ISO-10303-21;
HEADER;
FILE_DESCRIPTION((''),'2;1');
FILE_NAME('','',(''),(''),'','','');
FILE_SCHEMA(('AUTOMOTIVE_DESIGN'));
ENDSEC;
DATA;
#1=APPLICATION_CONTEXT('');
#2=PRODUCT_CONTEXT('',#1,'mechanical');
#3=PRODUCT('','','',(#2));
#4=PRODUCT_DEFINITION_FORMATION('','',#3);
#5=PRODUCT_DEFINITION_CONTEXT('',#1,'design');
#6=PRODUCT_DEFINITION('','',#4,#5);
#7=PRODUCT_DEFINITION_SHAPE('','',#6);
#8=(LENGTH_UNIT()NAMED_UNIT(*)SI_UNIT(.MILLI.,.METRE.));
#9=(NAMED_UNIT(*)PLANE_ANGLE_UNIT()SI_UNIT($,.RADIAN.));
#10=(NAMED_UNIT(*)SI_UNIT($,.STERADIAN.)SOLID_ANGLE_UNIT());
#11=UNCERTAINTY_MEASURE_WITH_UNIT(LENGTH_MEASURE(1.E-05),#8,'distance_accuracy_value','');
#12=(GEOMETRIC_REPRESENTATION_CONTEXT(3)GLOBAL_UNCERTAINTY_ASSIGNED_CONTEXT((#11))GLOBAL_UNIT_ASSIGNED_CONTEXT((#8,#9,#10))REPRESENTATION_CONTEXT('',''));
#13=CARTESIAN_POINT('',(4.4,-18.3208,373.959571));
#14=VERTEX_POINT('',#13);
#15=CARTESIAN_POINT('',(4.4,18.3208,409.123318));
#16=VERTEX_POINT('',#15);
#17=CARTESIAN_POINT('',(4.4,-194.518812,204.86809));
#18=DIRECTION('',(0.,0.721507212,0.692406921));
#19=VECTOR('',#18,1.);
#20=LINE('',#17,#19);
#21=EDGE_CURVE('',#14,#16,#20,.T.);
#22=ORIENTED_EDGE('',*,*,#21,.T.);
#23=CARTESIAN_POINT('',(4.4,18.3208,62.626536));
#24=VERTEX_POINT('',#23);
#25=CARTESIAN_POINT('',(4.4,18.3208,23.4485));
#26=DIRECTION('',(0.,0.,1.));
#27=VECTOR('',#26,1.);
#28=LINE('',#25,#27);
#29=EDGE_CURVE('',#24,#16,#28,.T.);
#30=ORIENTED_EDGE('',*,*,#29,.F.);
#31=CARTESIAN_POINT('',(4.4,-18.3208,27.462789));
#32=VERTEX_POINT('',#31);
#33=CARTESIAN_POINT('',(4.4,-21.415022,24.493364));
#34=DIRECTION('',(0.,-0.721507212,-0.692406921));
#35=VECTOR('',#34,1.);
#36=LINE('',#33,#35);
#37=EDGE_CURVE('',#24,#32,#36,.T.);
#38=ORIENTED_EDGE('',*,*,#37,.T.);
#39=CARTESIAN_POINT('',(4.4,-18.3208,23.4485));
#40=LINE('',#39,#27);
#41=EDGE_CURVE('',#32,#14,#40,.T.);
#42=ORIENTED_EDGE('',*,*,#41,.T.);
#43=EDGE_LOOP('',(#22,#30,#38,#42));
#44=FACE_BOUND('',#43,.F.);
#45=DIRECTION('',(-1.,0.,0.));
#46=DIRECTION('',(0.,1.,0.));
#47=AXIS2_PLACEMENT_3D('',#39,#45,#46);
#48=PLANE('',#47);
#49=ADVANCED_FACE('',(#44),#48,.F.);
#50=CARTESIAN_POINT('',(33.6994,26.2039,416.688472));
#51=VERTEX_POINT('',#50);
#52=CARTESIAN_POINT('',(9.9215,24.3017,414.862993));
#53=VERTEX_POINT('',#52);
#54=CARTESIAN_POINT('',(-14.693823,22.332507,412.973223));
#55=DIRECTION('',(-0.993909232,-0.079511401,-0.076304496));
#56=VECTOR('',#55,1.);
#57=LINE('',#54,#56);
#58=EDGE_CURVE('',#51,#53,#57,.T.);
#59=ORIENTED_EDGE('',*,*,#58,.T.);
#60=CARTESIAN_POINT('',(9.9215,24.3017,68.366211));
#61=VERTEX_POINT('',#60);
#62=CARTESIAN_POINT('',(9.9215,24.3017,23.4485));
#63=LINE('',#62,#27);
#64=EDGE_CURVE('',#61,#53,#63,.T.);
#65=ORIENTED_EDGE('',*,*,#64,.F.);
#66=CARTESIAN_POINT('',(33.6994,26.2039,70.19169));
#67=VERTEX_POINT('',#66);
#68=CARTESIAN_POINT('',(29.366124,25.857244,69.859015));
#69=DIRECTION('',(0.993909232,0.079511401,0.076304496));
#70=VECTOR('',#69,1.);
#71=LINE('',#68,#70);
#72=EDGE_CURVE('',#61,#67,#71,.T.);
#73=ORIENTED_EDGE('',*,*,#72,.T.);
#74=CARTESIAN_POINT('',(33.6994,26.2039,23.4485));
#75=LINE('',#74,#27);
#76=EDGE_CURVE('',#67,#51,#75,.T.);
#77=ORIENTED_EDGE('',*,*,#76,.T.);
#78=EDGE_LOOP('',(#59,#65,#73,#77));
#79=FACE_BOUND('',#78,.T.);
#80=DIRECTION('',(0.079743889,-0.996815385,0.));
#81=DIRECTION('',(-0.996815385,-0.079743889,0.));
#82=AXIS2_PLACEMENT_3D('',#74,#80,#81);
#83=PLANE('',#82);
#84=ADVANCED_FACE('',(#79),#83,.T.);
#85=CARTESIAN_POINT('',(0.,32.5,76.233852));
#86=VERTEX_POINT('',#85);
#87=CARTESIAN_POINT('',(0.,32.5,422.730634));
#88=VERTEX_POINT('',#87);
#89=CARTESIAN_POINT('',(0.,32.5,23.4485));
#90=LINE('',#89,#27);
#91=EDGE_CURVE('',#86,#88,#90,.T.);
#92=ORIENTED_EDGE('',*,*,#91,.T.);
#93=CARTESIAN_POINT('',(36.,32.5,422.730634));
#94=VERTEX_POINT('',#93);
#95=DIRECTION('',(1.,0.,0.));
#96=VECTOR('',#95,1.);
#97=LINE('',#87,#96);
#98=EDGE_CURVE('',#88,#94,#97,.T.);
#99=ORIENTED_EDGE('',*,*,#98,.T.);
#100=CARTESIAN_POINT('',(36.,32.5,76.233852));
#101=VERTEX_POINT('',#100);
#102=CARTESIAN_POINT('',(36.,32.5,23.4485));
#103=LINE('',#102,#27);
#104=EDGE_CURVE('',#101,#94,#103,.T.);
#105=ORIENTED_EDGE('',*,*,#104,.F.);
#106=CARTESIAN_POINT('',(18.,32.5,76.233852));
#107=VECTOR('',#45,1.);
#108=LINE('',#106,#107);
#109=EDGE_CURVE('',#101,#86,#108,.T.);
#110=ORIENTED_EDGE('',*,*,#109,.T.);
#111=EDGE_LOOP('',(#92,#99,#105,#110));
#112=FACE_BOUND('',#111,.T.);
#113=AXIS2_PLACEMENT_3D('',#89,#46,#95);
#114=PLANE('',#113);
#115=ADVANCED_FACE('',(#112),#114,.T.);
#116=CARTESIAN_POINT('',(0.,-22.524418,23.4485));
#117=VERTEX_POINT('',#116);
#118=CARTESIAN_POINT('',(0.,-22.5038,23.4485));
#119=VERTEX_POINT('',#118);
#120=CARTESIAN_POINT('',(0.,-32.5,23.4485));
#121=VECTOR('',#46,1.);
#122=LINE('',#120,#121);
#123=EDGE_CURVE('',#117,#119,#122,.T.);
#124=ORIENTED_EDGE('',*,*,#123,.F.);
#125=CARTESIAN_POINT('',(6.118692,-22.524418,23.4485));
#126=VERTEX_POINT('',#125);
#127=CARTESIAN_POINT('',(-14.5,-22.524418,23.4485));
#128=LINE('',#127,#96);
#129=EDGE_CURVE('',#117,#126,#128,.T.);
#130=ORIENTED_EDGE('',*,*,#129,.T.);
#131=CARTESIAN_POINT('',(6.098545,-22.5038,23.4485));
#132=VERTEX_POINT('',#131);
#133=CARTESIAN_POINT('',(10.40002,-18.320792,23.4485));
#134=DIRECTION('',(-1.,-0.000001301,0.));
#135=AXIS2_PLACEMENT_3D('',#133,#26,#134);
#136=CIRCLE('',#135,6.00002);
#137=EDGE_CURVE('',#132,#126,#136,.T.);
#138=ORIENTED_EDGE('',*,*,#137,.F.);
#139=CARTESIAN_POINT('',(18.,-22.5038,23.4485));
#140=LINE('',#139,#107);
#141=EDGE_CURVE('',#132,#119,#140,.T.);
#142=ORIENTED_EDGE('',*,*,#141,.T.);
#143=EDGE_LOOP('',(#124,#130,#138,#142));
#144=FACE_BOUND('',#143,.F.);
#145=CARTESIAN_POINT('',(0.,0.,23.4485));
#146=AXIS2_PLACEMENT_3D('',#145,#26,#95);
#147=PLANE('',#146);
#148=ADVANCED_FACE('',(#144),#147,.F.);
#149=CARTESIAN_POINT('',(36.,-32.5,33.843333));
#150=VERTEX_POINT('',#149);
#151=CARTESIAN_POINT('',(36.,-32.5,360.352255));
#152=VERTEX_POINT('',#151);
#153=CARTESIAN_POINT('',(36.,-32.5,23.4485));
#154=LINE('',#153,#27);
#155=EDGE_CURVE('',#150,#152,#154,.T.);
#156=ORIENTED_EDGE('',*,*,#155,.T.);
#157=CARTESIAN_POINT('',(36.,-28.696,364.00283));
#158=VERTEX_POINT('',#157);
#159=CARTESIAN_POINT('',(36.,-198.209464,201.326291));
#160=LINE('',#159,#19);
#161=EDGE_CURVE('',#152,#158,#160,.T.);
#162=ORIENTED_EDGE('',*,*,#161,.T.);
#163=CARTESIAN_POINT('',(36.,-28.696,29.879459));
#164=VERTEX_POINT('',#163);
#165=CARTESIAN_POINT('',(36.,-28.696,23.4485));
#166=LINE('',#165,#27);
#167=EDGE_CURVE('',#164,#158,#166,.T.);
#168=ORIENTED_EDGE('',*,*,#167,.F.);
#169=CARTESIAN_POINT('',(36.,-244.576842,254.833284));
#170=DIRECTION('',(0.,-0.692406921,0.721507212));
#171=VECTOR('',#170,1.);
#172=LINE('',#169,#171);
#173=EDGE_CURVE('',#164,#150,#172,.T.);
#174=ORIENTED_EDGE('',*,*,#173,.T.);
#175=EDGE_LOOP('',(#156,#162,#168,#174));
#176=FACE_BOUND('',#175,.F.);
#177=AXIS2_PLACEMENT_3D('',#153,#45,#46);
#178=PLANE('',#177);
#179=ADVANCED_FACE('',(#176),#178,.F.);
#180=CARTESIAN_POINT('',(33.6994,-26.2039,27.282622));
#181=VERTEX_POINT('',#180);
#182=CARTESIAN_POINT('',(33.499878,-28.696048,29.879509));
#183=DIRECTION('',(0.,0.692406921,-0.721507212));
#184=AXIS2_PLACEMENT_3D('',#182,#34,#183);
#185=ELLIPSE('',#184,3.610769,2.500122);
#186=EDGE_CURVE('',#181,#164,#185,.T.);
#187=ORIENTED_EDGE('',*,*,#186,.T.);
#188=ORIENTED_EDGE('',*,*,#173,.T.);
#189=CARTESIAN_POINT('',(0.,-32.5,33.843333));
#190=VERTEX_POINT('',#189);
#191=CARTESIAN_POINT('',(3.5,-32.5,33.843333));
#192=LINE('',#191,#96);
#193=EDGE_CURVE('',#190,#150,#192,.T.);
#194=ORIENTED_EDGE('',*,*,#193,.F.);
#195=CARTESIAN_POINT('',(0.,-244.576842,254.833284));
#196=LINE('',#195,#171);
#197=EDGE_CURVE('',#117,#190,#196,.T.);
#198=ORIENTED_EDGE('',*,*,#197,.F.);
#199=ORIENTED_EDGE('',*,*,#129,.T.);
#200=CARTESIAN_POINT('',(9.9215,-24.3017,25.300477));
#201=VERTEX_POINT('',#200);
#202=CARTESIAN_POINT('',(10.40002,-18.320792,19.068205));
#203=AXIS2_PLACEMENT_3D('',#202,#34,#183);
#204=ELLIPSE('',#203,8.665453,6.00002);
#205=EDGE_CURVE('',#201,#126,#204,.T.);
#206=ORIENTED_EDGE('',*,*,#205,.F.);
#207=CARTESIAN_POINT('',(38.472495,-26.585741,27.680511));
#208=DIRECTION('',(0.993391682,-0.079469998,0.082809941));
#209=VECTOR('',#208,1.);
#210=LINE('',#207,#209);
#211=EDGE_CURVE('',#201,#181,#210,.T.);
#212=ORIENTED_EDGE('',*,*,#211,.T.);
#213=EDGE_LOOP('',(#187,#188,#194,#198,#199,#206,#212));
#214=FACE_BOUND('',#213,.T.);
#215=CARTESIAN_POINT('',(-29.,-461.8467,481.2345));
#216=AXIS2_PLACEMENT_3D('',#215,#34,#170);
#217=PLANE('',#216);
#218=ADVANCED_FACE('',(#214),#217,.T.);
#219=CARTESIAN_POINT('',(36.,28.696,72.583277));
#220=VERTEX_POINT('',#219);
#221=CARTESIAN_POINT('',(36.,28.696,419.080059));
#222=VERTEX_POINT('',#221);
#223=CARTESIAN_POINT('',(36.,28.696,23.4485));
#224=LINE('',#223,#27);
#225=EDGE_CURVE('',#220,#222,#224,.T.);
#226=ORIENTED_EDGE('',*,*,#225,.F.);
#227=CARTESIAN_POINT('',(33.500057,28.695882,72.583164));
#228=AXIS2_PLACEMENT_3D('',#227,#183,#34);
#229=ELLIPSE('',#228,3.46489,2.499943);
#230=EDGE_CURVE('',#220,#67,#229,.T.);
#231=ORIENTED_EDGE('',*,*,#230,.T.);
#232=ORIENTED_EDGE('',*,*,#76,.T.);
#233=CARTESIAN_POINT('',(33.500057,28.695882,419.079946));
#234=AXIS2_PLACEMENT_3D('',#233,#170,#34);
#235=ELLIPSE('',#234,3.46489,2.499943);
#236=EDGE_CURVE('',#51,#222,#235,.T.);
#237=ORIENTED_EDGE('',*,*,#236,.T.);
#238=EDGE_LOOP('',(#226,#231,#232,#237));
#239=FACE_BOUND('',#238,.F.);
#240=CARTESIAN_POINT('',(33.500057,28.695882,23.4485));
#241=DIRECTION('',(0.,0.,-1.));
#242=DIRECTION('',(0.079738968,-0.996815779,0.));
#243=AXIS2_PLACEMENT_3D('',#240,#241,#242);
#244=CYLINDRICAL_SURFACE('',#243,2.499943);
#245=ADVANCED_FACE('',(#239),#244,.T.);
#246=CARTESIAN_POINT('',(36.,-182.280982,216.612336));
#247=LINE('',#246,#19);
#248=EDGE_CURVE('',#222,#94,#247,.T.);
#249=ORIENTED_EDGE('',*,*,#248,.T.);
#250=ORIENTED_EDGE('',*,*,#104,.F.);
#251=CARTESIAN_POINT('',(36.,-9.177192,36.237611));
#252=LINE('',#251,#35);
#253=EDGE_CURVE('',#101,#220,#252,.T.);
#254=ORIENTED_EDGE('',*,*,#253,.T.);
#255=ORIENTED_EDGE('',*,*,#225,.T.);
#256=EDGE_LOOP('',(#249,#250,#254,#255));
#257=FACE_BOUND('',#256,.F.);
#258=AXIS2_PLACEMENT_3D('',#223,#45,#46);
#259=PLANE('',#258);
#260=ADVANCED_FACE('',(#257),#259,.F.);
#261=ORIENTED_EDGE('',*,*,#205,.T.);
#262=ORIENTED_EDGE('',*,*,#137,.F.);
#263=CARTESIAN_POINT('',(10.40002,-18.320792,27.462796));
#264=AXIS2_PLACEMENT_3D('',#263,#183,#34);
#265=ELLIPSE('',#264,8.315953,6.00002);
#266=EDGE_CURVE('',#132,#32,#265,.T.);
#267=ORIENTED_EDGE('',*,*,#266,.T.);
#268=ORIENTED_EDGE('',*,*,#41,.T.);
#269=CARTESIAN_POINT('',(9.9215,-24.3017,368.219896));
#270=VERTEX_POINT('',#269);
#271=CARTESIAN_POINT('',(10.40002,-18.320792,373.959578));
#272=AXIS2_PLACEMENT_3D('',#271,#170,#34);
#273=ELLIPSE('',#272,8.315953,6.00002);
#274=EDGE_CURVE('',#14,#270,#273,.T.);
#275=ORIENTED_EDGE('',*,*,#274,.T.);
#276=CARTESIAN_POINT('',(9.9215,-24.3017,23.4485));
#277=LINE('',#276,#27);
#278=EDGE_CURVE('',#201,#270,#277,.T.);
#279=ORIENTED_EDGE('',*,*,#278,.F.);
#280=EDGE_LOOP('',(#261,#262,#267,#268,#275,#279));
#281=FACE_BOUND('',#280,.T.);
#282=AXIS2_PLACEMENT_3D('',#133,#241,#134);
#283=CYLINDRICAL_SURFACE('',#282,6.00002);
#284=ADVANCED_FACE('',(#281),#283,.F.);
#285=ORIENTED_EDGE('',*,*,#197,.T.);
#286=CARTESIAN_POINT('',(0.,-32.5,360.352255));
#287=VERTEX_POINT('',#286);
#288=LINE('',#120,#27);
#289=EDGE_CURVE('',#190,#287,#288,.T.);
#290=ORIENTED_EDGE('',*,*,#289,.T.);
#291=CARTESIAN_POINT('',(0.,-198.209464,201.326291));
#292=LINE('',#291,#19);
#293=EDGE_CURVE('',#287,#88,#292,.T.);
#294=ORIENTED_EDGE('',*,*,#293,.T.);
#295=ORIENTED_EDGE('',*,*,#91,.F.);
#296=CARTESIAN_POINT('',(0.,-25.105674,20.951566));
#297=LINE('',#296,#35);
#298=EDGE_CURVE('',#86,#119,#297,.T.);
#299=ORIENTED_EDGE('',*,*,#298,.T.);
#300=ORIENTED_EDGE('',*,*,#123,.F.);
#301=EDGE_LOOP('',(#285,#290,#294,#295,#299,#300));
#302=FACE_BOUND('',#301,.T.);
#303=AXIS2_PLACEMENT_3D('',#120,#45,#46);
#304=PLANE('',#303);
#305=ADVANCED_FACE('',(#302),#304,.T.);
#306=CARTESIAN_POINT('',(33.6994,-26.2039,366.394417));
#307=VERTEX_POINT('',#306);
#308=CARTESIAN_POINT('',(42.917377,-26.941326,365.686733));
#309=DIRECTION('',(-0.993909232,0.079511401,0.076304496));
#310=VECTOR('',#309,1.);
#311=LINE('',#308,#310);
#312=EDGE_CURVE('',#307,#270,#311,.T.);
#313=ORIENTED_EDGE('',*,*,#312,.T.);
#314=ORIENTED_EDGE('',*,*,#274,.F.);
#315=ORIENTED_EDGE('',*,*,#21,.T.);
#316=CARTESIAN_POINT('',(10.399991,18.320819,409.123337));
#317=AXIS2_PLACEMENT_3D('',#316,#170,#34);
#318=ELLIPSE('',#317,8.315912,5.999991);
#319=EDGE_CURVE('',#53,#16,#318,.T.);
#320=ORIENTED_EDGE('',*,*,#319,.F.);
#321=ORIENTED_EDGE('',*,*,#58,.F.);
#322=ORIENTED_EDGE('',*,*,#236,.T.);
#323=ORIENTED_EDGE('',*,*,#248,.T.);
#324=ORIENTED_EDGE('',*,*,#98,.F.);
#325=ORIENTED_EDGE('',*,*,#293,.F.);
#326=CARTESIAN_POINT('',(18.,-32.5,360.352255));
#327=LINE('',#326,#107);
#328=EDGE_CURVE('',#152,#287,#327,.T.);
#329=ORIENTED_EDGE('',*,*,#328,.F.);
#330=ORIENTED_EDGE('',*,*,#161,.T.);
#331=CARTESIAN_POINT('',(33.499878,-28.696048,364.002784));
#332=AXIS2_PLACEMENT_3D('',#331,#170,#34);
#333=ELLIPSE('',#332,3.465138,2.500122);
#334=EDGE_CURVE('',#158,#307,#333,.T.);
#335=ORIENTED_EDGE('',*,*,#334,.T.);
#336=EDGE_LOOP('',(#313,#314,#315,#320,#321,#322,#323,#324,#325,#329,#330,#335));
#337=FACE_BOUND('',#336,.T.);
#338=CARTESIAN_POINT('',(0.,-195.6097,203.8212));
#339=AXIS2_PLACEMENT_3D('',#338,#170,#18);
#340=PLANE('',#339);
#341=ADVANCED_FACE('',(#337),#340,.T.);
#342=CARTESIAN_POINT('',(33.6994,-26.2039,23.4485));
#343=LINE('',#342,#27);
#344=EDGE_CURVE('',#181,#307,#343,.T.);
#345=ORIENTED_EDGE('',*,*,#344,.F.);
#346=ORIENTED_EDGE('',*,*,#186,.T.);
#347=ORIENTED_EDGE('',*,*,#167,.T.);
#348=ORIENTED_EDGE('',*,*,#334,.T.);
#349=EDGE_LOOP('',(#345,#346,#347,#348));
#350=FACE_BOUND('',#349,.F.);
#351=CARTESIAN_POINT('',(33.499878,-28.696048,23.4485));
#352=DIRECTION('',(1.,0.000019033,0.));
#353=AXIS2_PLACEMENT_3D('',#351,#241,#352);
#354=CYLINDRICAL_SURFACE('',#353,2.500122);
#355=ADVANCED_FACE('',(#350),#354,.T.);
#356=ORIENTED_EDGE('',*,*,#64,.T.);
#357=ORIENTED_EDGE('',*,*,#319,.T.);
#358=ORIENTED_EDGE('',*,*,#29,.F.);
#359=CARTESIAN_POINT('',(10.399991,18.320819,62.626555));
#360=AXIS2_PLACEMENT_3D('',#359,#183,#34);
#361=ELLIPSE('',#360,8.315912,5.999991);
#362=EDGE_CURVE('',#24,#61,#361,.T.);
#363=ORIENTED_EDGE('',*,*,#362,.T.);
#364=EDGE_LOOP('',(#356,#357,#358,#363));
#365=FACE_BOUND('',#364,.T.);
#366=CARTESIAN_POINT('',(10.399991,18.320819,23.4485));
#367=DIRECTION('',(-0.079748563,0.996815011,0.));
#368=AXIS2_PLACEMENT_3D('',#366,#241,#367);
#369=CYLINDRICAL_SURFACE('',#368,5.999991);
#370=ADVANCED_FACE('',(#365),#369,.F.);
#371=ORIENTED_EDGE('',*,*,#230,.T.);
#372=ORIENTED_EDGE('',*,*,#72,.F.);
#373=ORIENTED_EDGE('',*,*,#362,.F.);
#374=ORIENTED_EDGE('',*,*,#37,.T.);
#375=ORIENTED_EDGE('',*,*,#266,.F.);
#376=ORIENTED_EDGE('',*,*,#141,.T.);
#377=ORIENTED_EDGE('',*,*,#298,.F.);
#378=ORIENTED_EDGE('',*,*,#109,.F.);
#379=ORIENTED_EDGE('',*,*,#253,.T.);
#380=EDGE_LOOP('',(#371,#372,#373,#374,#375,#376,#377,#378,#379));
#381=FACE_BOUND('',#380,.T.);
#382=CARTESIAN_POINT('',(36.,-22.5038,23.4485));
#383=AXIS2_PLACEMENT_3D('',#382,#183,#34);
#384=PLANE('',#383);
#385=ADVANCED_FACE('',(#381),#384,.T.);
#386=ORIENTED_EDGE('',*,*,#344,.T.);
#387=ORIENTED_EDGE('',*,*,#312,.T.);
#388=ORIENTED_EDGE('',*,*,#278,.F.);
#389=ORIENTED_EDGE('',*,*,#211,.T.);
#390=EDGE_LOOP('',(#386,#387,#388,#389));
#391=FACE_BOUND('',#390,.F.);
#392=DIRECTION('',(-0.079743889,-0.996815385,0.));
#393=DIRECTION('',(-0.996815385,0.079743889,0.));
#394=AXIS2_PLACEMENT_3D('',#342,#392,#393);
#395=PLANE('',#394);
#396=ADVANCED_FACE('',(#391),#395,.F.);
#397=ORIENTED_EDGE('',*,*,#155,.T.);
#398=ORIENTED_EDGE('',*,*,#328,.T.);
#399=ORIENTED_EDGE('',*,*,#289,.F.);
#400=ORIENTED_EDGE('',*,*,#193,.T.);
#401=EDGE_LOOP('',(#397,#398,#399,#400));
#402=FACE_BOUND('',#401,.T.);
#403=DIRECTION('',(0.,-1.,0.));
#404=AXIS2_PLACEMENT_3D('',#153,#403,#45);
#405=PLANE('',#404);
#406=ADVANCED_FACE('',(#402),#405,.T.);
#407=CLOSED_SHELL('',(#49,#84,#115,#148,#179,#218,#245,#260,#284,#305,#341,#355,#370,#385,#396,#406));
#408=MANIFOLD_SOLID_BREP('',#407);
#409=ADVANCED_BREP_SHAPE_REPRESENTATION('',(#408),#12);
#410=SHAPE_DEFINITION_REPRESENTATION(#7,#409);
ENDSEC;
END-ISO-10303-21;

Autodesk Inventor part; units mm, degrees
ref_plane "Начальная плоскость" through (0, 0, 23.4485) normal (0, 0, 1) x (1, 0, 0)
ref_plane "Конечная плоскость" through (0, 0, 422.7409) normal (0, 0, 1) x (1, 0, 0)
sketch "Эскиз" plane through (0, 0, 0) normal (0, 0, 1) x (1, 0, 0)
  line L0 (36, -32.5) -> (0, -32.5)
  line L1 (36, -32.5) -> (36, -28.696)
  line L2 (33.6994, -26.2039) -> (9.9215, -24.3017)
  line L3 (4.4, -18.3208) -> (4.4, 18.3208)
  line L4 (33.6994, 26.2039) -> (9.9215, 24.3017)
  line L5 (36, 28.696) -> (36, 32.5)
  line L6 (0, 32.5) -> (36, 32.5)
  line L7 (0, -32.5) -> (0, 32.5)
  arc A0 (4.4, -18.3208) -> (9.9215, -24.3017) centre (10.4, -18.3208) ccw
  arc A1 (9.9215, 24.3017) -> (4.4, 18.3208) centre (10.4, 18.3208) ccw
  arc A2 (36, -28.696) -> (33.6994, -26.2039) centre (33.5, -28.696) ccw
  arc A3 (33.6994, 26.2039) -> (36, 28.696) centre (33.5, 28.696) ccw
  line L8 (0, 45.5) -> (0, -45.5) construction
  line L9 (-7.2974, 0) -> (43.7847, 0) construction
  point P0 (36, -26.388)
  point P1 (4.4, -23.86)
  point P2 (4.4, 23.86)
  point P3 (36, 26.388)
  dimension "d3" = 36
  dimension "d5" = 4.4
  dimension "d7" = 65
  dimension "d9" = 8.64
  dimension "d11" = 8.64
  dimension "d13" = 6.112
  dimension "d15" = 6.112
  dimension "d22" = 6
  dimension "d23" = 2.5
  dimension "d24" = 32.5
  dimension "d25" = 0
extrude "Тело" add sketch "Эскиз" along normal up to surface (399.2924 mm away) from surface at 23.4485
sketch "Sketch3" plane through (0, 0, 0) normal (0, 0, 1) x (1, 0, 0)
  line L0 (0, 0) -> (10, 0)
ref_plane "Work Plane7" through (0, 0, 0) normal (0, -1, 0) x (1, 0, 0)
sketch "Sketch4" plane through (0, 0, 0) normal (0, -1, 0) x (1, 0, 0)
  line L0 (-2, 23.4485) -> (12, 23.4485)
  line L1 (-2, 422.7409) -> (12, 422.7409)
  dimension "d29" = 399.2924
ref_plane "РабПлоскость8" through (0, -195.6097, 203.8212) normal (0, -0.6924, 0.7215) x (1, 0, 0)
split "Разделение1" plane through (0, -195.6097, 203.8212) removes the side toward (0, -0.6924, 0.7215)
ref_plane "РабПлоскость9" through (36, -22.5038, 23.4485) normal (0, 0.6924, -0.7215) x (1, 0, 0)
split "Разделение2" plane through (36, -22.5038, 23.4485) removes the side toward (0, 0.6924, -0.7215)
ref_plane "РабПлоскость10" through (-29, -461.8467, 481.2345) normal (0, -0.7215, -0.6924) x (1, 0, 0)
split "Разделение3" plane through (-29, -461.8467, 481.2345) removes the side toward (0, -0.7215, -0.6924)
equation "\"d3\" = b"
equation "\"d5\" = t1"
equation "\"d7\" = ParH"
equation "\"d9\" = msp_x1 + t2"
equation "\"d11\" = msp_x1 + t2"
equation "\"d13\" = -msp_x2 + t2"
equation "\"d15\" = -msp_x2 + t2"
equation "\"d22\" = R"
equation "\"d23\" = R1"
equation "\"d24\" = 0.5 * d7"
equation "\"d16\" = G_L"
equation "\"R1\" = 2.5"
equation "\"R\" = 6"
equation "\"t1\" = 4.4"
equation "\"t2\" = 7.2"
equation "\"ParH\" = 65"
equation "\"b\" = 36"
equation "\"msp_x1\" = 0.04 * b"
equation "\"msp_x2\" = -0.08 * t1 + 0.04 * b"
equation "\"G_L\" = d29"
equation "\"ex\" = 0"
equation "\"G_OFFSET_START\" = -23.44846"
equation "\"G_OFFSET_END\" = -58.90056"
equation "\"d26\" = -G_OFFSET_START"
equation "\"d27\" = G_OFFSET_END + B_L"
equation "\"B_L\" = 481.64146"
properties part number "Швеллер 6.5U-399,29 ГОСТ 8240-97" material "Сталь, мягкая"
